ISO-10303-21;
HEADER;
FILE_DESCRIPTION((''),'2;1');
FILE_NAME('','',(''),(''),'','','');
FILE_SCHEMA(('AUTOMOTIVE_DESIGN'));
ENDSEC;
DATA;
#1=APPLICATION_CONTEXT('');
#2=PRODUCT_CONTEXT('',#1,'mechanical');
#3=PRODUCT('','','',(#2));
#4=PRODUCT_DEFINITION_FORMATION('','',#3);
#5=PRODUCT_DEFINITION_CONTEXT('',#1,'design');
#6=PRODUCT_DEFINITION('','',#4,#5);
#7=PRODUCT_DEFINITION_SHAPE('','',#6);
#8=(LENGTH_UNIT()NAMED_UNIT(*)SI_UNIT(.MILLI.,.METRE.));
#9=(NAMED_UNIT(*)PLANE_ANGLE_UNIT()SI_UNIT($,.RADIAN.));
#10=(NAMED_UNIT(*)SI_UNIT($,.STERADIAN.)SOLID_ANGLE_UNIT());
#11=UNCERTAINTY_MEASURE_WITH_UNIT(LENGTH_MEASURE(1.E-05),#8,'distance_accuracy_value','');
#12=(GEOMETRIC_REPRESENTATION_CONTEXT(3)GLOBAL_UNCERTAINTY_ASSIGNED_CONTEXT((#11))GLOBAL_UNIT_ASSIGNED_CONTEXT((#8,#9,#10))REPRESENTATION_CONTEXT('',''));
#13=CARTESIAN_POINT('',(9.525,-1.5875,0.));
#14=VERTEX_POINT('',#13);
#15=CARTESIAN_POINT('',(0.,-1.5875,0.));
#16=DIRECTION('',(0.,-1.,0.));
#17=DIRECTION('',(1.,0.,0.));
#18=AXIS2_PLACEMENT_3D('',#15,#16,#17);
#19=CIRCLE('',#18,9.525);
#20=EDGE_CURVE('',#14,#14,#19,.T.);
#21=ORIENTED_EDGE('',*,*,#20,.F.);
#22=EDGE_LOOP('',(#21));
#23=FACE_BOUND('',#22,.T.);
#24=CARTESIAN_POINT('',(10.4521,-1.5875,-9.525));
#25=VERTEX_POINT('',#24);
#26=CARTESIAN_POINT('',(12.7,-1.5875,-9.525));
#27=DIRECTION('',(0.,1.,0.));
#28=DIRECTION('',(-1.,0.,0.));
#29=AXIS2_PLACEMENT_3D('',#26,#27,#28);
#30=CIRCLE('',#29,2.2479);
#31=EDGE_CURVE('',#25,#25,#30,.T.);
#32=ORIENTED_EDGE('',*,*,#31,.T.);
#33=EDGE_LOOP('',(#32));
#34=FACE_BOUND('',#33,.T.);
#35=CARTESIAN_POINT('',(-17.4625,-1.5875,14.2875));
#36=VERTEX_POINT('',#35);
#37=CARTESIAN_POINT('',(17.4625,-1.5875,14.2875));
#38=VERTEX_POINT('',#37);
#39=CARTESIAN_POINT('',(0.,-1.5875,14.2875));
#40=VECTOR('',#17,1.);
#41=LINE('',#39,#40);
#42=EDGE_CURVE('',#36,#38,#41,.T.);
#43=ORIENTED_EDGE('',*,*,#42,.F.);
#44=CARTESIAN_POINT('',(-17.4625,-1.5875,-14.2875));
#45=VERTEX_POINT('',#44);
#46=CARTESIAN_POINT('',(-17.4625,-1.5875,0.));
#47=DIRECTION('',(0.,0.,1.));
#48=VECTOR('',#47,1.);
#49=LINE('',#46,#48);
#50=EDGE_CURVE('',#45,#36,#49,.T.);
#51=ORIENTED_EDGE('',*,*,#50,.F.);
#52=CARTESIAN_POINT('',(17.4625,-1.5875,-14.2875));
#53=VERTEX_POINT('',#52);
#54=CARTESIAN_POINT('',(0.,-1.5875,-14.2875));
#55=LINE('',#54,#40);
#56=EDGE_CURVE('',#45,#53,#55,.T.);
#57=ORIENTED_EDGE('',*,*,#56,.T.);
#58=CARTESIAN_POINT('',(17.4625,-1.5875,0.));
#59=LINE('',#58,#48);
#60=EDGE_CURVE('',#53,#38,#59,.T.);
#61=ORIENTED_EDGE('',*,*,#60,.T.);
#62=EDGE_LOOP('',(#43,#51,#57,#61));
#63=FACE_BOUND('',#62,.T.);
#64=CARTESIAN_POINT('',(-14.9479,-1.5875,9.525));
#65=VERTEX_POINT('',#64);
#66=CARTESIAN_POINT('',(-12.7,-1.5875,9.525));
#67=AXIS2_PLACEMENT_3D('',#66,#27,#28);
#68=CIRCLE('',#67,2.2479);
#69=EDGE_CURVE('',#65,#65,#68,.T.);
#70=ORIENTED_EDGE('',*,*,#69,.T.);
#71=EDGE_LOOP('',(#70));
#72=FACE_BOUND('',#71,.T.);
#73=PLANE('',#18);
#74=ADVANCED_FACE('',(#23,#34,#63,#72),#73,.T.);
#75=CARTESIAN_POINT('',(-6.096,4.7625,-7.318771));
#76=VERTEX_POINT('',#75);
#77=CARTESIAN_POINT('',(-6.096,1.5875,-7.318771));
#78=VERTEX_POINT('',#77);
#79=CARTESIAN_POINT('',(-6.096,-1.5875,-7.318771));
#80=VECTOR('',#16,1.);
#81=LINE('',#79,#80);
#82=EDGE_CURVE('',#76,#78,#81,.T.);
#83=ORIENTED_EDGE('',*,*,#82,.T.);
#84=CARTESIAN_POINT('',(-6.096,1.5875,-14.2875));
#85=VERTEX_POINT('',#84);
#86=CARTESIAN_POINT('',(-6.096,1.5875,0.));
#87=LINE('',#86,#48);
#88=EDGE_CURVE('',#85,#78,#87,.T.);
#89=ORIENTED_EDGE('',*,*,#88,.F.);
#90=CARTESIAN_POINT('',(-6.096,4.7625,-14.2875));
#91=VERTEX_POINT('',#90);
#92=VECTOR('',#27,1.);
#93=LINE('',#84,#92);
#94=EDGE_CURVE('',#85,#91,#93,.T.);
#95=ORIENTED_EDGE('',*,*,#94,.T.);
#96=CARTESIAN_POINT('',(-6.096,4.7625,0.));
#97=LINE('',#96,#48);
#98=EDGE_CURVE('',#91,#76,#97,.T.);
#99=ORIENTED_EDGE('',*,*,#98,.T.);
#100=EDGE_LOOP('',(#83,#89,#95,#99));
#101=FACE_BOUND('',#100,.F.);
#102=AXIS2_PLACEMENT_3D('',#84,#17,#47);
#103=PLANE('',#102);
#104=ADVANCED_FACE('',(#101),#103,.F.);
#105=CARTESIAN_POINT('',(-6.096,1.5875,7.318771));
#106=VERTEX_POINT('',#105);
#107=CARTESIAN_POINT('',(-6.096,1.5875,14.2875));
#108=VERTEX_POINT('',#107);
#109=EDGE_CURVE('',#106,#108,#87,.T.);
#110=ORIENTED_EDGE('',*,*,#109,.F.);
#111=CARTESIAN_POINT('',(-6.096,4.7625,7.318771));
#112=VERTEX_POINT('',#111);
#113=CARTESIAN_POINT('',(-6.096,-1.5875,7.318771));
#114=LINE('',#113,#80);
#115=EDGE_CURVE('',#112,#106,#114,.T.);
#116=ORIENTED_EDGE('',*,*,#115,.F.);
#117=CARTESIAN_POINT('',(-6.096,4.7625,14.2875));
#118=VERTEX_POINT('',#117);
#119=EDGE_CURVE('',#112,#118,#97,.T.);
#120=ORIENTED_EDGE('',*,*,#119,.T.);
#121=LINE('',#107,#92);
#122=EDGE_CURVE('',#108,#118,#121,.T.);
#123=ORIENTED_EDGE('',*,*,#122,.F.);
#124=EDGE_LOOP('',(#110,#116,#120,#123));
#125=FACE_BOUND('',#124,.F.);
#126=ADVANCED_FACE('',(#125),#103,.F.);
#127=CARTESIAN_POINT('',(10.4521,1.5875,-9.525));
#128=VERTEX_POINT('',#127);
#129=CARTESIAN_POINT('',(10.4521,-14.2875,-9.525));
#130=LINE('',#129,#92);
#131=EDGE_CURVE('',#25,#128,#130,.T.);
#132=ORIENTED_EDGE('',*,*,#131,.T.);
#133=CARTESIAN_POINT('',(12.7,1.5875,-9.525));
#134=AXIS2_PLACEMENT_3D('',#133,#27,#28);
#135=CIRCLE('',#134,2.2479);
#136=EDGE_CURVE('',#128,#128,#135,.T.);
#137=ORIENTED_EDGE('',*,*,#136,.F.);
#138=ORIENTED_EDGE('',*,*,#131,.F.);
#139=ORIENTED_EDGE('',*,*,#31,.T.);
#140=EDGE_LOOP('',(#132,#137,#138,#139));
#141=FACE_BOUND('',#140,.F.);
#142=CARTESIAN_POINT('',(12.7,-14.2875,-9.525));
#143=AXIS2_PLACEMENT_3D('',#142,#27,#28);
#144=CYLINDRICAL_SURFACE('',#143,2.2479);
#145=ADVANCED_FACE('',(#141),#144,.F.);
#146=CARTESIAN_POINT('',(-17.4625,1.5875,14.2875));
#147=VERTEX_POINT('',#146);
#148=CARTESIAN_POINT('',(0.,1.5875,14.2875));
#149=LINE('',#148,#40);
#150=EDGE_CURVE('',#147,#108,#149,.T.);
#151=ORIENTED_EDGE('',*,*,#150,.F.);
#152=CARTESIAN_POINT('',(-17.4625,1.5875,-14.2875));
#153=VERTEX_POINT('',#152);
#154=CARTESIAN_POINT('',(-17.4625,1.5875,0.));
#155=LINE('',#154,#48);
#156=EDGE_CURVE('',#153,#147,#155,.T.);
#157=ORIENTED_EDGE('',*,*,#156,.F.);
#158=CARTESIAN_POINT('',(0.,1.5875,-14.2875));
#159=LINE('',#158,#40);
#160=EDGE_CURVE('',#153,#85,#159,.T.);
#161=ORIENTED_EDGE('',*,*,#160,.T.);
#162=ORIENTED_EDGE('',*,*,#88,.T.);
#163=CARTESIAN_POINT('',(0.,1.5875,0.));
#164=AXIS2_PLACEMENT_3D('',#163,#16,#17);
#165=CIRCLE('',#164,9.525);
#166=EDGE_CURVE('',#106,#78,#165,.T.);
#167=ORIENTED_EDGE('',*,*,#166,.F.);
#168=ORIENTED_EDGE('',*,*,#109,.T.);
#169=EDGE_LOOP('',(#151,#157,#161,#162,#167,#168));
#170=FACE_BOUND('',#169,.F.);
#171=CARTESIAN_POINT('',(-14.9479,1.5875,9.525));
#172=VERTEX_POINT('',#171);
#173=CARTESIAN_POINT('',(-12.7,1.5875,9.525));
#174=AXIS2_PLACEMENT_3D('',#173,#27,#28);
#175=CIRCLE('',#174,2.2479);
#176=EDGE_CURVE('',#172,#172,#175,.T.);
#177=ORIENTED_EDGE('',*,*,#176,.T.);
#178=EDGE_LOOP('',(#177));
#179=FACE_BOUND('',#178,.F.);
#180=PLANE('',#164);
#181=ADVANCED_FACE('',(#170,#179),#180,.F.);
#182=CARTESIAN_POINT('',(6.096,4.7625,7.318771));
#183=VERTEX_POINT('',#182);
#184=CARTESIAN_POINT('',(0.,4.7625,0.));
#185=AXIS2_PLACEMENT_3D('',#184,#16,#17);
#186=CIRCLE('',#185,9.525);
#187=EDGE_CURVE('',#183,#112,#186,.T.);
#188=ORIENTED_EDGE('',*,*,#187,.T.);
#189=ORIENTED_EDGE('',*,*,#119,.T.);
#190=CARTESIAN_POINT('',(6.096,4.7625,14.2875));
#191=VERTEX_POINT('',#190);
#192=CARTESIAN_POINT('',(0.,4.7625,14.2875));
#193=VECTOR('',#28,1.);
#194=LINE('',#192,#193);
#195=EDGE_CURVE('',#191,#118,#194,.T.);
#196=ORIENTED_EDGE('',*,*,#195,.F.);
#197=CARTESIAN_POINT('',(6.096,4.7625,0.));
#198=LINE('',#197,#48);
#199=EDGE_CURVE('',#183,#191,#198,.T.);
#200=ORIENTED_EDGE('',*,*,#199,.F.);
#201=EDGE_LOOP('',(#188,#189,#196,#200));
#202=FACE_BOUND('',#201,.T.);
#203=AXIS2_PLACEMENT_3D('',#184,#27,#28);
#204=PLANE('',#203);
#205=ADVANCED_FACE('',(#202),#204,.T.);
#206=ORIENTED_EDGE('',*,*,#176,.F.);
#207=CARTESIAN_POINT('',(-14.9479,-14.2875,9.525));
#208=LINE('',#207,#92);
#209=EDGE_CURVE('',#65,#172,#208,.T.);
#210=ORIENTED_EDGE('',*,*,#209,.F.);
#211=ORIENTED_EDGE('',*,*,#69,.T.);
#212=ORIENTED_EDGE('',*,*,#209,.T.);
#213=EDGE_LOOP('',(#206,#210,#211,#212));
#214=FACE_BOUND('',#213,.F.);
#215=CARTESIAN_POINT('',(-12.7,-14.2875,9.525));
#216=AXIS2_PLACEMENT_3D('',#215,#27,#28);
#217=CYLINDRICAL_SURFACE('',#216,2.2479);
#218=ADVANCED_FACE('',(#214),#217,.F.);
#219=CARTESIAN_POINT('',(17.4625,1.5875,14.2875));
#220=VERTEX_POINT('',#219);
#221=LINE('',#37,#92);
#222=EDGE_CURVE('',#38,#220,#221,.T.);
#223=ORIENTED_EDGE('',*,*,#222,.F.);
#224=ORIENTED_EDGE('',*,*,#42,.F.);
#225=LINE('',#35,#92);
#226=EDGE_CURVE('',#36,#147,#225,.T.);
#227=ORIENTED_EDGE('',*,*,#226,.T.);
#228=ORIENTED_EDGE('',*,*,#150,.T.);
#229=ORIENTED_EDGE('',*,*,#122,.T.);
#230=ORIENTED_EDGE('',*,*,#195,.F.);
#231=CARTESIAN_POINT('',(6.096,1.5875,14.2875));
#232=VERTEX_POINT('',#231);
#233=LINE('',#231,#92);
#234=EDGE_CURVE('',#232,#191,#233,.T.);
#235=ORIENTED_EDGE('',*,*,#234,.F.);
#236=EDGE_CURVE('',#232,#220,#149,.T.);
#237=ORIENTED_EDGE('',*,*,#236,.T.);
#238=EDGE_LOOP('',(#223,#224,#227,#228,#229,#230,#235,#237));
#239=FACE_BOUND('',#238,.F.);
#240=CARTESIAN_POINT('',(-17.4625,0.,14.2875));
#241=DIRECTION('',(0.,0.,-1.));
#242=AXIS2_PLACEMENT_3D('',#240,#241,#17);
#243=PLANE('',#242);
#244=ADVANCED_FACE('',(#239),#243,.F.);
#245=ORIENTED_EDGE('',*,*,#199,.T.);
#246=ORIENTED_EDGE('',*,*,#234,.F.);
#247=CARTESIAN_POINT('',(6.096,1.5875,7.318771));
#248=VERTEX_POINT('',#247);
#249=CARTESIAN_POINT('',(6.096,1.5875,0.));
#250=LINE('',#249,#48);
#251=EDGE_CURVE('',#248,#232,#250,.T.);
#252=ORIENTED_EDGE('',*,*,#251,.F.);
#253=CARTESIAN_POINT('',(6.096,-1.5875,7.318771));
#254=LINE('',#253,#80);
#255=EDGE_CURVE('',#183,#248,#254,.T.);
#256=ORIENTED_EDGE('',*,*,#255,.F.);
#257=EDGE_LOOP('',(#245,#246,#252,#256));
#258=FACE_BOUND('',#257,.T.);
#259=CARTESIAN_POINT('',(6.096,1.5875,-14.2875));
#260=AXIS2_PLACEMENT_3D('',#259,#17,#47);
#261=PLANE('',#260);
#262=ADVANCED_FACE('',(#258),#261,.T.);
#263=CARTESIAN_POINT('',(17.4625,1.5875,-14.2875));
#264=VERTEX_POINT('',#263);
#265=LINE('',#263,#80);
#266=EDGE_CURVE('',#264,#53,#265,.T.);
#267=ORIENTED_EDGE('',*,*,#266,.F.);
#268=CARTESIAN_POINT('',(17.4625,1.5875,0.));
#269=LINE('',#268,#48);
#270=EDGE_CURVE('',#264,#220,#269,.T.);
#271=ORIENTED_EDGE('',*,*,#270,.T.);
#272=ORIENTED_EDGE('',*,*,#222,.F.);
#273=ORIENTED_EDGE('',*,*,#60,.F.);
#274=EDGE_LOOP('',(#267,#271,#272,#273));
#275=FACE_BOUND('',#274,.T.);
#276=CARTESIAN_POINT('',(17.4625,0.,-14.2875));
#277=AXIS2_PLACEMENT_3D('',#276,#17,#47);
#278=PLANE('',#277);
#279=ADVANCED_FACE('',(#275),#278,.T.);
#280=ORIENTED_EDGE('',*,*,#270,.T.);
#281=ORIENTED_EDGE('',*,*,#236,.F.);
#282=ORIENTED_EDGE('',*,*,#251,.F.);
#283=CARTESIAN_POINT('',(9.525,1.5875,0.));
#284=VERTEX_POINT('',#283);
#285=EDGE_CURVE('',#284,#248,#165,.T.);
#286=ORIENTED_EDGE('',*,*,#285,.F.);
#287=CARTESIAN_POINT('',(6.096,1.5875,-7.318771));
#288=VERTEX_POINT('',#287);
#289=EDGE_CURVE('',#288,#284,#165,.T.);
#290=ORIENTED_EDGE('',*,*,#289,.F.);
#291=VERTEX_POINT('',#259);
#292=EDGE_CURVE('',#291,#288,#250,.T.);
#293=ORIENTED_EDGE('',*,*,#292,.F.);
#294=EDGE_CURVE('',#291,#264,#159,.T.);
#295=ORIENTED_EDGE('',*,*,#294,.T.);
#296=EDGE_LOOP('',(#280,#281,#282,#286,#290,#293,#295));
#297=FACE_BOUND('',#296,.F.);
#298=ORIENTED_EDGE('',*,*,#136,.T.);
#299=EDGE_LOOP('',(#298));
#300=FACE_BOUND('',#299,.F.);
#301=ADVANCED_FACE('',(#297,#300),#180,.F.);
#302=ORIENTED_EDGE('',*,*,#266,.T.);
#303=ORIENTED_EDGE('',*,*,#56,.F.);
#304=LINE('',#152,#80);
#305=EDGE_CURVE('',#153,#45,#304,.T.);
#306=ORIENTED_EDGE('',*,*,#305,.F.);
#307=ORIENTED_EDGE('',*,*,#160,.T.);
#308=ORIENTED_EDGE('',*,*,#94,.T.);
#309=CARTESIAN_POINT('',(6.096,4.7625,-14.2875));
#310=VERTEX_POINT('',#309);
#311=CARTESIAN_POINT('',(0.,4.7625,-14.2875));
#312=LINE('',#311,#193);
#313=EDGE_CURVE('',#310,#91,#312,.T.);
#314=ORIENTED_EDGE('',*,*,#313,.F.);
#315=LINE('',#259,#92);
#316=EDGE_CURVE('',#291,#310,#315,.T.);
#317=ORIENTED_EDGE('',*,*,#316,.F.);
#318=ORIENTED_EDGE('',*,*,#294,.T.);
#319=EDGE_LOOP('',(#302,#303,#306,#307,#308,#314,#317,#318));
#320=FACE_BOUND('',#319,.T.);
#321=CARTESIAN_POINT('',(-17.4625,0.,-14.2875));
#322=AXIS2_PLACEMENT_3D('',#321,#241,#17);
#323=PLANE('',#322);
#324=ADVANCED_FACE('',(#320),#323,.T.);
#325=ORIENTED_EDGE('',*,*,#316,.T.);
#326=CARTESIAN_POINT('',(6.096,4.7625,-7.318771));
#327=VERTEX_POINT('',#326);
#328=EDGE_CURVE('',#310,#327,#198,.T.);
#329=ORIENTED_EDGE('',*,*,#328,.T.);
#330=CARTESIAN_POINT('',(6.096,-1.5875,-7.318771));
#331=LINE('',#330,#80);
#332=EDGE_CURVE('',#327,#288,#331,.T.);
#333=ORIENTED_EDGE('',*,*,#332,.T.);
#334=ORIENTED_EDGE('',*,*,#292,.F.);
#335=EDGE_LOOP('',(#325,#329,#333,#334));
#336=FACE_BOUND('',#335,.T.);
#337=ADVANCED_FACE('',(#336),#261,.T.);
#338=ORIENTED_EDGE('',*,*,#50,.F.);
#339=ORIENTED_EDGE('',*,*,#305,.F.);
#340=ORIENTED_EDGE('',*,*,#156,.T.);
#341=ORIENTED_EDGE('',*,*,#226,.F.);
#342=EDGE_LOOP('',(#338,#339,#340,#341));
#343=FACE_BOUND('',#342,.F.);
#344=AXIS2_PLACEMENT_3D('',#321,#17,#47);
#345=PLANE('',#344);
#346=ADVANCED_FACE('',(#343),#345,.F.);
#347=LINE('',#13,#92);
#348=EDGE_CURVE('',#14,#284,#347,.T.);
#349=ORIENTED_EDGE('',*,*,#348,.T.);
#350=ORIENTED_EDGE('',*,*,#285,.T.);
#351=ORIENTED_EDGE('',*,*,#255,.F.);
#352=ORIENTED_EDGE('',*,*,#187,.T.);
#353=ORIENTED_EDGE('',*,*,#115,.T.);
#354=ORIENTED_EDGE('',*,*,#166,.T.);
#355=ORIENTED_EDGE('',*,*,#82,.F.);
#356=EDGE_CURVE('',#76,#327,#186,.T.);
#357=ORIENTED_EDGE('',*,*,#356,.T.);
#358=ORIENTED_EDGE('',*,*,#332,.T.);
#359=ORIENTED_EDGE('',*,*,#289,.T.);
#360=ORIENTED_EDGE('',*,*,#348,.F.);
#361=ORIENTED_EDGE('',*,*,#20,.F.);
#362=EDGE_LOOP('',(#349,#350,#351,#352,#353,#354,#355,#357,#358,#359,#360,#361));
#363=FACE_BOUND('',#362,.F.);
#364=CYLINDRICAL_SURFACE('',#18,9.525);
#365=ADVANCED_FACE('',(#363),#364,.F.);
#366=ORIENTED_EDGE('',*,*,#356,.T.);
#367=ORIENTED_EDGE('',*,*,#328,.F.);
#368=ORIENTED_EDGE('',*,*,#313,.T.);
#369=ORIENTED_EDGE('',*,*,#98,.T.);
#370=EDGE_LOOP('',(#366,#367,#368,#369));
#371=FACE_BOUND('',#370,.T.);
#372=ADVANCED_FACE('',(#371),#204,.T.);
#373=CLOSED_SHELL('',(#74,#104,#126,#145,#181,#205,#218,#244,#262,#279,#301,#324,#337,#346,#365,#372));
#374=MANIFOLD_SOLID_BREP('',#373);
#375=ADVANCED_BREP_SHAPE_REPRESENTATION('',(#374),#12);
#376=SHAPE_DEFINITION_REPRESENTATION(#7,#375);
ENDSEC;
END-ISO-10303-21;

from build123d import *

# Parameters (mm, degrees)
F0_W     = 34.925
F0_H     = 28.575
F1_DEPTH = 1.5875
F3_D     = 4.4958
F3_DEPTH = 12.7
F3_TIP   = 1.3506745855
F4_W     = 12.192
F4_H     = 28.575
F5_DEPTH = 3.175
F6_R     = 9.525
F7_DEPTH = 6.351


with BuildPart() as f1:
    # F0 (on Front) → F1 (new body, symmetric)
    with BuildSketch(Plane.XZ):
        Rectangle(F0_W, F0_H)
    extrude(amount=F1_DEPTH, both=True)

    # F3
    with Locations(Plane.XZ.offset(1.5875)):
        with Locations((-12.7, 9.525), (12.7, -9.525)):
            Hole(F3_D / 2, depth=F3_DEPTH)
            with Locations((0, 0, -(F3_DEPTH + F3_TIP / 2))):  # 118° drill point
                Cone(0, F3_D / 2, F3_TIP, mode=Mode.SUBTRACT)

    # F4 (on face) → F5 (join)
    with BuildSketch(Plane(origin=(0, 1.5875, 0), x_dir=(-1, 0, 0), z_dir=(0, 1, 0))):
        Rectangle(F4_W, F4_H)
    extrude(amount=F5_DEPTH)

    # F6 (on face) → F7 (cut, through all)
    with BuildSketch(Plane.XZ.offset(1.5875)):
        Circle(F6_R)
    extrude(amount=-F7_DEPTH, mode=Mode.SUBTRACT)


solid = f1.part
